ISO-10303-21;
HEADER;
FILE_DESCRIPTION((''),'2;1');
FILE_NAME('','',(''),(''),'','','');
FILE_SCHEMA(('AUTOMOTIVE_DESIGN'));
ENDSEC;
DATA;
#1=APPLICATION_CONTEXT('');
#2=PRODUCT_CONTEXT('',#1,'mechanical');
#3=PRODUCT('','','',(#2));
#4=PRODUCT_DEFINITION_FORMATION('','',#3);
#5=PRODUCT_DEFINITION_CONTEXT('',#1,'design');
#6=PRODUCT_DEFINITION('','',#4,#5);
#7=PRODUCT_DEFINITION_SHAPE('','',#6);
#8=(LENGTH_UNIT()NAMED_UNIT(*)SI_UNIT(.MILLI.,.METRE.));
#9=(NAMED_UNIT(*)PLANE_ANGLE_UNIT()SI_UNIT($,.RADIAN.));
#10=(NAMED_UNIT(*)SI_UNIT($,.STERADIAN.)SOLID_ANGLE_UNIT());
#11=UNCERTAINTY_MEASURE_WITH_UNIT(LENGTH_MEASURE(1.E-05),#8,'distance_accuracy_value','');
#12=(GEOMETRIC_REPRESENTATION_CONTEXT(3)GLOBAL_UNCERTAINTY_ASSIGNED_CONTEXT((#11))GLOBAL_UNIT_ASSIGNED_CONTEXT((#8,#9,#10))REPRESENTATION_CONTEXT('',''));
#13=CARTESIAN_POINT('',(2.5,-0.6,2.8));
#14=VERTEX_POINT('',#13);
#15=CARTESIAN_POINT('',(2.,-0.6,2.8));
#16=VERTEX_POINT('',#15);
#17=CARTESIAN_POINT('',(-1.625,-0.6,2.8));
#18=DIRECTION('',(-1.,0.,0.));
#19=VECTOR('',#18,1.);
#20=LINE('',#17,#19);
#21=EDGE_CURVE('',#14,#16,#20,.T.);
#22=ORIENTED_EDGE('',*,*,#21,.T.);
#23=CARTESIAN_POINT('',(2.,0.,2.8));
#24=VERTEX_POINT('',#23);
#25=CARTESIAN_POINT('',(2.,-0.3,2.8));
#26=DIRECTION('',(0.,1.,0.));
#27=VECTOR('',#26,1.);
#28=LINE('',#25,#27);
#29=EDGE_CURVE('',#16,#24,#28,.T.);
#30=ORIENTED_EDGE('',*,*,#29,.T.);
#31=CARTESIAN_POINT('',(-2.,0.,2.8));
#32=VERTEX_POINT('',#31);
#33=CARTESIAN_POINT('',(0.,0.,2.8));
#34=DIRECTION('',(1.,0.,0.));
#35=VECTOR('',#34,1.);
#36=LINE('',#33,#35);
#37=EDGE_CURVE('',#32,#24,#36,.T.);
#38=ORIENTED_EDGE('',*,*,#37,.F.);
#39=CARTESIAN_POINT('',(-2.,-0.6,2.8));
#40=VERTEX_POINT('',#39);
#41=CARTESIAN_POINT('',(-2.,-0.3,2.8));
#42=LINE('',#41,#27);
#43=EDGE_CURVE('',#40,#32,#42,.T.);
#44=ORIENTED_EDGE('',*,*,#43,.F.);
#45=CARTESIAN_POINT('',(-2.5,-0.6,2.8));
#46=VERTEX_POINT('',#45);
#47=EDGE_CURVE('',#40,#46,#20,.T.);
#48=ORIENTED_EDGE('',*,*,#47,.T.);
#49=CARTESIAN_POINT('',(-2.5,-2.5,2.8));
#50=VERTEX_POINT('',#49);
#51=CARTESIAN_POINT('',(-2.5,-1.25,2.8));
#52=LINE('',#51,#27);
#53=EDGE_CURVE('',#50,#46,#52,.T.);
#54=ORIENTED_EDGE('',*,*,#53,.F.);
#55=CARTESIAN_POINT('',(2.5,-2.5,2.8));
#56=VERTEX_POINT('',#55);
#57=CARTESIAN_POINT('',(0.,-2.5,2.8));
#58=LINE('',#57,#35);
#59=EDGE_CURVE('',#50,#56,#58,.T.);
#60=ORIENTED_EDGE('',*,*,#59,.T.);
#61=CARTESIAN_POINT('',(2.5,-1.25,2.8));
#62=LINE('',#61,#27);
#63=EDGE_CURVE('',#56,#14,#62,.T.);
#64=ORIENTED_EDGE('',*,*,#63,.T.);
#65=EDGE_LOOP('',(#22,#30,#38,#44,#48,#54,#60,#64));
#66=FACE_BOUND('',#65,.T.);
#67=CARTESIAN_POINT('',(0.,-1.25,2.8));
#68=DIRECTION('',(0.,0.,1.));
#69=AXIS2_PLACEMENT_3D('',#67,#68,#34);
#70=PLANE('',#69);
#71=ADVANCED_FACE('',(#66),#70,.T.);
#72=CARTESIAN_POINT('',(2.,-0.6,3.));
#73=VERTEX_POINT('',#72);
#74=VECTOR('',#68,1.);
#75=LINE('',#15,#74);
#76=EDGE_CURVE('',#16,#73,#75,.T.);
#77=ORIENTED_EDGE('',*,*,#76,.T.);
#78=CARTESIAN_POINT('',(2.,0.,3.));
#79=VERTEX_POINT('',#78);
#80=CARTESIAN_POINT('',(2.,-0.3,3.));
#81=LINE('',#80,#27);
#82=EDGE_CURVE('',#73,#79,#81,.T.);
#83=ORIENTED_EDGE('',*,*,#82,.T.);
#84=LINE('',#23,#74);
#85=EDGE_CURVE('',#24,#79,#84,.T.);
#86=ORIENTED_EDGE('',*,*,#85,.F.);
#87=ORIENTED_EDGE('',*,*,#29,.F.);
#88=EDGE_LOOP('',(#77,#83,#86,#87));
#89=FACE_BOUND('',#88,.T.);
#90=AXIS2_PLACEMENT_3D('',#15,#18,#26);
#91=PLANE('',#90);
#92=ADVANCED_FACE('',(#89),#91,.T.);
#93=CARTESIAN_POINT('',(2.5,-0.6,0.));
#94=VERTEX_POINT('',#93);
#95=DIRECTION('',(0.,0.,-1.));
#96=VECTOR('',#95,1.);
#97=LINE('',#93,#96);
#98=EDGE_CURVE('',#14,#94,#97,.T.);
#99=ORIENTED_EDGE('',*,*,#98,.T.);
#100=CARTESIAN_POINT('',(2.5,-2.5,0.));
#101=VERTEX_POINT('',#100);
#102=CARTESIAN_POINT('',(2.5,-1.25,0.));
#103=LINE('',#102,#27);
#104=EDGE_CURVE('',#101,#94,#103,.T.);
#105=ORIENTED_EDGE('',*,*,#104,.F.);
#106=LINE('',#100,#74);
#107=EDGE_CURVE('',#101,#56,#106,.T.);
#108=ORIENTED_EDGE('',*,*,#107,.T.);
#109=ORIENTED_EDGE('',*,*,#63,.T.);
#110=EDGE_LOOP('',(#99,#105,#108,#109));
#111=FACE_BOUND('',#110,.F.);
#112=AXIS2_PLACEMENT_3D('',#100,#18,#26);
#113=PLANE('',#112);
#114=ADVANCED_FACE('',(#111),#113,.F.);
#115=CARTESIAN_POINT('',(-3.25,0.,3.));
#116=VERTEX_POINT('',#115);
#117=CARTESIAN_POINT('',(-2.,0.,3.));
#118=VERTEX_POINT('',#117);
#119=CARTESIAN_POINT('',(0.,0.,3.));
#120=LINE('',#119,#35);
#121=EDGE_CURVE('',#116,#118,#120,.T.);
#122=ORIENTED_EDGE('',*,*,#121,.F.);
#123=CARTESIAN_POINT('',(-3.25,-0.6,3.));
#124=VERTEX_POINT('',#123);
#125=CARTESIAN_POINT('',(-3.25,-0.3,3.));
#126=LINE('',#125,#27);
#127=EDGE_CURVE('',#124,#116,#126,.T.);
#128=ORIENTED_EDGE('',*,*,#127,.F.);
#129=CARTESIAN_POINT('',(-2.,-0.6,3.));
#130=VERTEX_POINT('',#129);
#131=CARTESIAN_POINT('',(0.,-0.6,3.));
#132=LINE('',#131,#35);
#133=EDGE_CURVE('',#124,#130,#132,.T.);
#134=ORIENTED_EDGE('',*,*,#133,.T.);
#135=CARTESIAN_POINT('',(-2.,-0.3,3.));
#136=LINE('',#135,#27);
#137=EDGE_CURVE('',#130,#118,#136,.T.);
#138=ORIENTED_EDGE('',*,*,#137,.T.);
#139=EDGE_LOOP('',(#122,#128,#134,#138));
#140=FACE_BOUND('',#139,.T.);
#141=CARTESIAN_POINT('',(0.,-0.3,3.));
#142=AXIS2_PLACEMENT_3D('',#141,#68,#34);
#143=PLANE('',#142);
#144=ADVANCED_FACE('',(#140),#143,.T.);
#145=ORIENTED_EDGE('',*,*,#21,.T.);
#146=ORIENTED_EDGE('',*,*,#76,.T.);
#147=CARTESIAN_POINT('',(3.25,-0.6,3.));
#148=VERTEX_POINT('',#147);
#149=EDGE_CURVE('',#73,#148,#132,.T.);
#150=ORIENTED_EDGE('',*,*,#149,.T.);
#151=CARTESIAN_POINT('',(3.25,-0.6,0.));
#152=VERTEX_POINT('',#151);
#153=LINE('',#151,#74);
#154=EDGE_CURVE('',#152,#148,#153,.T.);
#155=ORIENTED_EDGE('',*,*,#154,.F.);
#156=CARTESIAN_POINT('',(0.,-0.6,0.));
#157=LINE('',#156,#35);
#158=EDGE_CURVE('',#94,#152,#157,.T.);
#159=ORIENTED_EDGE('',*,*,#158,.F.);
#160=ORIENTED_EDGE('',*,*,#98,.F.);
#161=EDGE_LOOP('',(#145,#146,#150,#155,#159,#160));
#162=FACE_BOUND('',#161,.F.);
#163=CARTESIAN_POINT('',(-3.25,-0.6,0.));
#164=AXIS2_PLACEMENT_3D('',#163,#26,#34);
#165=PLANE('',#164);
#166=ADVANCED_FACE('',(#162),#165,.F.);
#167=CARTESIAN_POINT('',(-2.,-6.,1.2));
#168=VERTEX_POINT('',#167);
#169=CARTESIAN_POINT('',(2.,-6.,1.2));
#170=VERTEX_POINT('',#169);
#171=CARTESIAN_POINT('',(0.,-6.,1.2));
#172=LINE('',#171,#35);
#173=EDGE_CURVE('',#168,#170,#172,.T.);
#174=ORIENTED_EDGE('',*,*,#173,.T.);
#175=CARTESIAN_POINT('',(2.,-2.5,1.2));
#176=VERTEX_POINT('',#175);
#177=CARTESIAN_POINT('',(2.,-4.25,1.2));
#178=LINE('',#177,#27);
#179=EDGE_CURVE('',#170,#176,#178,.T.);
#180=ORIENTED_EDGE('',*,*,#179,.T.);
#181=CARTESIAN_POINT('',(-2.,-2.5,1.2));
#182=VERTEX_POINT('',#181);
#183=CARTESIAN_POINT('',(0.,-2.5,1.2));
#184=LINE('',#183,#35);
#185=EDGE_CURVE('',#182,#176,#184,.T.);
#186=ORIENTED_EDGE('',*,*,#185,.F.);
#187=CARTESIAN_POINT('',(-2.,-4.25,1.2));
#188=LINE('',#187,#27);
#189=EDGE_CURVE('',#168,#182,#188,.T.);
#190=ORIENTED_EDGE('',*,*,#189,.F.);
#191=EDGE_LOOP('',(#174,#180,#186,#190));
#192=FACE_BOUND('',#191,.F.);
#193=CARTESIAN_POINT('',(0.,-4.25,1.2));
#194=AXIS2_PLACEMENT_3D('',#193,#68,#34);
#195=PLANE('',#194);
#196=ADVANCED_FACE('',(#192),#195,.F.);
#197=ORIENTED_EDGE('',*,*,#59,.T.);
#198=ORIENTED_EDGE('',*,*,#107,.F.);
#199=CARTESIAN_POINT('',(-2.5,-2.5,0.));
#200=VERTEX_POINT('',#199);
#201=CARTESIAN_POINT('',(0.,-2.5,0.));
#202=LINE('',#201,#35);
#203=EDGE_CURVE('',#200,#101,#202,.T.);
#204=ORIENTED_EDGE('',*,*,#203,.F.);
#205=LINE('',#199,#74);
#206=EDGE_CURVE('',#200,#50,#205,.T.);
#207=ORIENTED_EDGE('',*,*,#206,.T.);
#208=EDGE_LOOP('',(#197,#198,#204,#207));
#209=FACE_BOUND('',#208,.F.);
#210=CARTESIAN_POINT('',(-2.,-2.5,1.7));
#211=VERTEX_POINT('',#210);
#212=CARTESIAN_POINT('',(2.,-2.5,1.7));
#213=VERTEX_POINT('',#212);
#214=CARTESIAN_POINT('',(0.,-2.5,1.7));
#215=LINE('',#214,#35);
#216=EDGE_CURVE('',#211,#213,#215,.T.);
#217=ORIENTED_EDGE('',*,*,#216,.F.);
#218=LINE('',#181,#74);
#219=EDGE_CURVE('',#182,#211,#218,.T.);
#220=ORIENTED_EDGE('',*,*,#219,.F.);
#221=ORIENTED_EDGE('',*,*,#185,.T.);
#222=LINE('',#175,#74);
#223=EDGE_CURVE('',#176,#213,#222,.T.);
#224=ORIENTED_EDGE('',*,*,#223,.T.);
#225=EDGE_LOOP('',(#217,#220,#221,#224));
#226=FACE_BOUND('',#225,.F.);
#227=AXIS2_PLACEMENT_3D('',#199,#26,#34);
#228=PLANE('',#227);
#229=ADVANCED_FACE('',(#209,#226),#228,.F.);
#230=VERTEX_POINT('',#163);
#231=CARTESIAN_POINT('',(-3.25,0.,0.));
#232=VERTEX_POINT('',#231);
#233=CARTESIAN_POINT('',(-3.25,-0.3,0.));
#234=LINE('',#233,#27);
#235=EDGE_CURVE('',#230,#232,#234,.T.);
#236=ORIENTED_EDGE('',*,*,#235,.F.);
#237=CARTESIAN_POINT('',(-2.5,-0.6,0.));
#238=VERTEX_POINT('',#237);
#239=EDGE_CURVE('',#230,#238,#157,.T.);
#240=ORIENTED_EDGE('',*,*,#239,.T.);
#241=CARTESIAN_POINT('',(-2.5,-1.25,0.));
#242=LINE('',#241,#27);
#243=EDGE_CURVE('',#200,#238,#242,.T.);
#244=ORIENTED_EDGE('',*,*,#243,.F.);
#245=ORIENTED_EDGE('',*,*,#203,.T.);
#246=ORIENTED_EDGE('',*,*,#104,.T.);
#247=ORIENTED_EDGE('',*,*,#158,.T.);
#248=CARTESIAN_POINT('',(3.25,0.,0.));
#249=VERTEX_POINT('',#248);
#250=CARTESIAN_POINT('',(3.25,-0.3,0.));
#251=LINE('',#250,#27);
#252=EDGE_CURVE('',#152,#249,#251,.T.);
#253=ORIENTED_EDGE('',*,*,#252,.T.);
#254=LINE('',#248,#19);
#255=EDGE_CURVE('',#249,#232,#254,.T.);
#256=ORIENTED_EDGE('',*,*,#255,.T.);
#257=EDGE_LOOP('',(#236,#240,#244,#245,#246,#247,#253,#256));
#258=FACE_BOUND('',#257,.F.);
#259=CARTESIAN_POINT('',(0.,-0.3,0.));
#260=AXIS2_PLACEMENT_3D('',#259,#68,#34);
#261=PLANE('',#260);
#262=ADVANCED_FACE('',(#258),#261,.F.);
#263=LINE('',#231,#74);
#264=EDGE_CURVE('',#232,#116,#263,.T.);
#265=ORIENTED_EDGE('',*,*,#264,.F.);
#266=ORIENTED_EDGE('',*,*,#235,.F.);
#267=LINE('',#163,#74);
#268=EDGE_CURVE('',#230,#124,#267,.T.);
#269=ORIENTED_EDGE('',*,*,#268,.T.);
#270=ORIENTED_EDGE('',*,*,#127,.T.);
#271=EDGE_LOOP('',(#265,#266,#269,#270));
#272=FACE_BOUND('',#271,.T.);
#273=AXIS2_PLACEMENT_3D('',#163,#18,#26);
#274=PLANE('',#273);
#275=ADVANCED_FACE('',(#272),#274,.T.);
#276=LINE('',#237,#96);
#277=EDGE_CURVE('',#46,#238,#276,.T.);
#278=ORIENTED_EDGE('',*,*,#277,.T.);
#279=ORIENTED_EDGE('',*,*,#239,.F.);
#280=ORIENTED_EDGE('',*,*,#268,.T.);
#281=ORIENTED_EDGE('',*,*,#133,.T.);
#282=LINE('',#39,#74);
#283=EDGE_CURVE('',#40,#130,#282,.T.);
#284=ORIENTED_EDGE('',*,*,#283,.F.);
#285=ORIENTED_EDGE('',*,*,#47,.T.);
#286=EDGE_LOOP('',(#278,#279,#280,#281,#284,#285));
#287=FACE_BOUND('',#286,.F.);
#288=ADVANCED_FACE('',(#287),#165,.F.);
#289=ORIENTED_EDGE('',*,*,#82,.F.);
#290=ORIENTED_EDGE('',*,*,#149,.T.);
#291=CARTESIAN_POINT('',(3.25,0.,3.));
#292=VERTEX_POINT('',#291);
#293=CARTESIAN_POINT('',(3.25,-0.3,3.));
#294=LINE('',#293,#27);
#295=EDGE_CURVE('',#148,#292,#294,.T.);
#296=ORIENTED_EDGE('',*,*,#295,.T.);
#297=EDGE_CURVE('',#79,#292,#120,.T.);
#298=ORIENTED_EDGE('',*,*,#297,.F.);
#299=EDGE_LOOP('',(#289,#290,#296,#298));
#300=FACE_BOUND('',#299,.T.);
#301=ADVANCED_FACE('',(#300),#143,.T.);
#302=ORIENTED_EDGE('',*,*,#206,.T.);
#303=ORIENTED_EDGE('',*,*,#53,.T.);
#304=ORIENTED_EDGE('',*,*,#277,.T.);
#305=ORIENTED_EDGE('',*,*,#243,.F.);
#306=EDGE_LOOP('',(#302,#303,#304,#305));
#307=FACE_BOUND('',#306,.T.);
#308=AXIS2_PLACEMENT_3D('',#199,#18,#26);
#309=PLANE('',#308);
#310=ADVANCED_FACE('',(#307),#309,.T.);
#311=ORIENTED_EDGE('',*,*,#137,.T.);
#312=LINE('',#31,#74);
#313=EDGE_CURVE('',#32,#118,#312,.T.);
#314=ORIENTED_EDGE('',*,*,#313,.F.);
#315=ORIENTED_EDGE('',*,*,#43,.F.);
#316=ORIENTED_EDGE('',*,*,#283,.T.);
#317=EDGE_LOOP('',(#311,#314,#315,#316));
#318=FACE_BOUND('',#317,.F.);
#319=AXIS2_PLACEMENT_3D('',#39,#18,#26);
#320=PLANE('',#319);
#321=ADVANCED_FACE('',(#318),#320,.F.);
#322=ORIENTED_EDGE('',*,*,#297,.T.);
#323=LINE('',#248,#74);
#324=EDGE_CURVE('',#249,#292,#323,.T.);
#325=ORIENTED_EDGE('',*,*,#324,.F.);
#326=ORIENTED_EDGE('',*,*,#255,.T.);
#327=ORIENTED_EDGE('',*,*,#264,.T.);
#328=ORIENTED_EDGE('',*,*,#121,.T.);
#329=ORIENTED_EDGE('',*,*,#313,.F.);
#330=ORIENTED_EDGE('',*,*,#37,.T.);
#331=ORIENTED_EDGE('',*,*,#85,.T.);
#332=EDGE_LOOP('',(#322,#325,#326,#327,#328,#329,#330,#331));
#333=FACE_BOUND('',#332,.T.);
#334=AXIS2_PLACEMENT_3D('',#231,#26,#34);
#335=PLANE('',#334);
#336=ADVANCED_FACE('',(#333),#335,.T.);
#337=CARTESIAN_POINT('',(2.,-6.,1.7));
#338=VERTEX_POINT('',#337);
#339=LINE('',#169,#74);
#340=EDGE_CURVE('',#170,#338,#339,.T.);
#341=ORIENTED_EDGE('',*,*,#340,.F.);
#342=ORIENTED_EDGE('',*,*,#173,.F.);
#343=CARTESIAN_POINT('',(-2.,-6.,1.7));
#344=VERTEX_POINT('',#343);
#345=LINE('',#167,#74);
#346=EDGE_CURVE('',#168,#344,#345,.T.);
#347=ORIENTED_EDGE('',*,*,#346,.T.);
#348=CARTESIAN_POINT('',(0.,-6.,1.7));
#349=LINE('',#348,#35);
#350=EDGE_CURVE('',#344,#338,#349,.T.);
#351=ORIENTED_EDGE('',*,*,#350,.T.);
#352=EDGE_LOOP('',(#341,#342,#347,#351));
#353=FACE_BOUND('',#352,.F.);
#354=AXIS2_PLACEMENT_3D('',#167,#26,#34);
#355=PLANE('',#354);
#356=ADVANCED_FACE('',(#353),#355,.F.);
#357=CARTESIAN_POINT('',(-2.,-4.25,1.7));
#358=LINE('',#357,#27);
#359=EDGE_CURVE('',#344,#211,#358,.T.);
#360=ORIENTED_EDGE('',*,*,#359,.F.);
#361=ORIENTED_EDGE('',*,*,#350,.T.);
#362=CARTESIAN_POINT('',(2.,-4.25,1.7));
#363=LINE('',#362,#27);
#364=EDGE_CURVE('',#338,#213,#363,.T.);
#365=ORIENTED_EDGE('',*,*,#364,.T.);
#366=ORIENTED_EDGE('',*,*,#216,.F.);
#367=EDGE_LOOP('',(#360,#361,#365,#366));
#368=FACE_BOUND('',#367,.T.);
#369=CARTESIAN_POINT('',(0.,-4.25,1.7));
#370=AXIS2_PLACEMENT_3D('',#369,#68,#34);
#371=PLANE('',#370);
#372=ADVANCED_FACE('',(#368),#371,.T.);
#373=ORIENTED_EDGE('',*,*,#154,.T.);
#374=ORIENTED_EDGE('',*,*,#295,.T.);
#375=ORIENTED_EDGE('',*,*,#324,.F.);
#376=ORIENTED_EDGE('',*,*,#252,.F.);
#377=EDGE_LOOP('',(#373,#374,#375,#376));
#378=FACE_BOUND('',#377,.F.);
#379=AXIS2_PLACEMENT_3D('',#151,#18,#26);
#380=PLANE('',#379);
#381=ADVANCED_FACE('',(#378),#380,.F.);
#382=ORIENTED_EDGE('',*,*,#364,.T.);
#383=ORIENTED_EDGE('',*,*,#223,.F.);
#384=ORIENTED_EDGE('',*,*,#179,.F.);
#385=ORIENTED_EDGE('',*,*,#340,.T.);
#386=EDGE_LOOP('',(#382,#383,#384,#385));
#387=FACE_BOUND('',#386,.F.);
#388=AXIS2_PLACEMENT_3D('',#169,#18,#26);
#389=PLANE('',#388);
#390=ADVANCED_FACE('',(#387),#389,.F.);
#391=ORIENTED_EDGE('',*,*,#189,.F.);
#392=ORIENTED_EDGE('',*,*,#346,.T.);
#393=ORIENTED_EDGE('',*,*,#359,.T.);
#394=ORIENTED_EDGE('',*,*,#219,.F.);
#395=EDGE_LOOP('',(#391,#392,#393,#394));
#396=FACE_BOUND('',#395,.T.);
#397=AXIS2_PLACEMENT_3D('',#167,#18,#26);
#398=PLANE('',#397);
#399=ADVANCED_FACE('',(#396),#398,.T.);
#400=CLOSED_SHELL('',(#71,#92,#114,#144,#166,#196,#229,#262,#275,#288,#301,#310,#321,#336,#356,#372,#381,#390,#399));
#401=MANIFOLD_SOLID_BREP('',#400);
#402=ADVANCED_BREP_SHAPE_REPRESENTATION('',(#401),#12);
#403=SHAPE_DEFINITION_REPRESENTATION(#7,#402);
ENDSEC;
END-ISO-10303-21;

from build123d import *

# Parameters (mm, degrees)
BOX064_W     = 4
BOX064_H     = 0.6
BOX064_DEPTH = 0.2
BOX063_W     = 6.5
BOX063_H     = 0.6
BOX063_DEPTH = 3
BOX066_W     = 4
BOX066_H     = 3.5
BOX066_DEPTH = 0.5
BOX065_W     = 5
BOX065_H     = 2.5
BOX065_DEPTH = 2.8


with BuildPart() as cube037:
    # Box064 → Box064 (new body)
    with BuildSketch(Plane(origin=(-2, -0.6, 2.8), x_dir=(1, 0, 0), z_dir=(0, 0, 1))):
        with Locations((2, 0.3)):
            Rectangle(BOX064_W, BOX064_H)
    extrude(amount=BOX064_DEPTH)


with BuildPart() as cut015:
    # Box063 → Box063 (new body)
    with BuildSketch(Plane(origin=(-3.25, -0.6, 0), x_dir=(1, 0, 0), z_dir=(0, 0, 1))):
        with Locations((3.25, 0.3)):
            Rectangle(BOX063_W, BOX063_H)
    extrude(amount=BOX063_DEPTH)

    # Cut014: cut Cube037
    add(cube037.part, mode=Mode.SUBTRACT)


with BuildPart() as cube039:
    # Box066 → Box066 (new body)
    with BuildSketch(Plane(origin=(-2, -6, 1.2), x_dir=(1, 0, 0), z_dir=(0, 0, 1))):
        with Locations((2, 1.75)):
            Rectangle(BOX066_W, BOX066_H)
    extrude(amount=BOX066_DEPTH)


with BuildPart() as body008:
    # Box065 → Box065 (new body)
    with BuildSketch(Plane(origin=(-2.5, -2.5, 0), x_dir=(1, 0, 0), z_dir=(0, 0, 1))):
        with Locations((2.5, 1.25)):
            Rectangle(BOX065_W, BOX065_H)
    extrude(amount=BOX065_DEPTH)

    # Fusion048: union Cut015, Cube039
    add(cut015.part)
    add(cube039.part)


solid = body008.part
